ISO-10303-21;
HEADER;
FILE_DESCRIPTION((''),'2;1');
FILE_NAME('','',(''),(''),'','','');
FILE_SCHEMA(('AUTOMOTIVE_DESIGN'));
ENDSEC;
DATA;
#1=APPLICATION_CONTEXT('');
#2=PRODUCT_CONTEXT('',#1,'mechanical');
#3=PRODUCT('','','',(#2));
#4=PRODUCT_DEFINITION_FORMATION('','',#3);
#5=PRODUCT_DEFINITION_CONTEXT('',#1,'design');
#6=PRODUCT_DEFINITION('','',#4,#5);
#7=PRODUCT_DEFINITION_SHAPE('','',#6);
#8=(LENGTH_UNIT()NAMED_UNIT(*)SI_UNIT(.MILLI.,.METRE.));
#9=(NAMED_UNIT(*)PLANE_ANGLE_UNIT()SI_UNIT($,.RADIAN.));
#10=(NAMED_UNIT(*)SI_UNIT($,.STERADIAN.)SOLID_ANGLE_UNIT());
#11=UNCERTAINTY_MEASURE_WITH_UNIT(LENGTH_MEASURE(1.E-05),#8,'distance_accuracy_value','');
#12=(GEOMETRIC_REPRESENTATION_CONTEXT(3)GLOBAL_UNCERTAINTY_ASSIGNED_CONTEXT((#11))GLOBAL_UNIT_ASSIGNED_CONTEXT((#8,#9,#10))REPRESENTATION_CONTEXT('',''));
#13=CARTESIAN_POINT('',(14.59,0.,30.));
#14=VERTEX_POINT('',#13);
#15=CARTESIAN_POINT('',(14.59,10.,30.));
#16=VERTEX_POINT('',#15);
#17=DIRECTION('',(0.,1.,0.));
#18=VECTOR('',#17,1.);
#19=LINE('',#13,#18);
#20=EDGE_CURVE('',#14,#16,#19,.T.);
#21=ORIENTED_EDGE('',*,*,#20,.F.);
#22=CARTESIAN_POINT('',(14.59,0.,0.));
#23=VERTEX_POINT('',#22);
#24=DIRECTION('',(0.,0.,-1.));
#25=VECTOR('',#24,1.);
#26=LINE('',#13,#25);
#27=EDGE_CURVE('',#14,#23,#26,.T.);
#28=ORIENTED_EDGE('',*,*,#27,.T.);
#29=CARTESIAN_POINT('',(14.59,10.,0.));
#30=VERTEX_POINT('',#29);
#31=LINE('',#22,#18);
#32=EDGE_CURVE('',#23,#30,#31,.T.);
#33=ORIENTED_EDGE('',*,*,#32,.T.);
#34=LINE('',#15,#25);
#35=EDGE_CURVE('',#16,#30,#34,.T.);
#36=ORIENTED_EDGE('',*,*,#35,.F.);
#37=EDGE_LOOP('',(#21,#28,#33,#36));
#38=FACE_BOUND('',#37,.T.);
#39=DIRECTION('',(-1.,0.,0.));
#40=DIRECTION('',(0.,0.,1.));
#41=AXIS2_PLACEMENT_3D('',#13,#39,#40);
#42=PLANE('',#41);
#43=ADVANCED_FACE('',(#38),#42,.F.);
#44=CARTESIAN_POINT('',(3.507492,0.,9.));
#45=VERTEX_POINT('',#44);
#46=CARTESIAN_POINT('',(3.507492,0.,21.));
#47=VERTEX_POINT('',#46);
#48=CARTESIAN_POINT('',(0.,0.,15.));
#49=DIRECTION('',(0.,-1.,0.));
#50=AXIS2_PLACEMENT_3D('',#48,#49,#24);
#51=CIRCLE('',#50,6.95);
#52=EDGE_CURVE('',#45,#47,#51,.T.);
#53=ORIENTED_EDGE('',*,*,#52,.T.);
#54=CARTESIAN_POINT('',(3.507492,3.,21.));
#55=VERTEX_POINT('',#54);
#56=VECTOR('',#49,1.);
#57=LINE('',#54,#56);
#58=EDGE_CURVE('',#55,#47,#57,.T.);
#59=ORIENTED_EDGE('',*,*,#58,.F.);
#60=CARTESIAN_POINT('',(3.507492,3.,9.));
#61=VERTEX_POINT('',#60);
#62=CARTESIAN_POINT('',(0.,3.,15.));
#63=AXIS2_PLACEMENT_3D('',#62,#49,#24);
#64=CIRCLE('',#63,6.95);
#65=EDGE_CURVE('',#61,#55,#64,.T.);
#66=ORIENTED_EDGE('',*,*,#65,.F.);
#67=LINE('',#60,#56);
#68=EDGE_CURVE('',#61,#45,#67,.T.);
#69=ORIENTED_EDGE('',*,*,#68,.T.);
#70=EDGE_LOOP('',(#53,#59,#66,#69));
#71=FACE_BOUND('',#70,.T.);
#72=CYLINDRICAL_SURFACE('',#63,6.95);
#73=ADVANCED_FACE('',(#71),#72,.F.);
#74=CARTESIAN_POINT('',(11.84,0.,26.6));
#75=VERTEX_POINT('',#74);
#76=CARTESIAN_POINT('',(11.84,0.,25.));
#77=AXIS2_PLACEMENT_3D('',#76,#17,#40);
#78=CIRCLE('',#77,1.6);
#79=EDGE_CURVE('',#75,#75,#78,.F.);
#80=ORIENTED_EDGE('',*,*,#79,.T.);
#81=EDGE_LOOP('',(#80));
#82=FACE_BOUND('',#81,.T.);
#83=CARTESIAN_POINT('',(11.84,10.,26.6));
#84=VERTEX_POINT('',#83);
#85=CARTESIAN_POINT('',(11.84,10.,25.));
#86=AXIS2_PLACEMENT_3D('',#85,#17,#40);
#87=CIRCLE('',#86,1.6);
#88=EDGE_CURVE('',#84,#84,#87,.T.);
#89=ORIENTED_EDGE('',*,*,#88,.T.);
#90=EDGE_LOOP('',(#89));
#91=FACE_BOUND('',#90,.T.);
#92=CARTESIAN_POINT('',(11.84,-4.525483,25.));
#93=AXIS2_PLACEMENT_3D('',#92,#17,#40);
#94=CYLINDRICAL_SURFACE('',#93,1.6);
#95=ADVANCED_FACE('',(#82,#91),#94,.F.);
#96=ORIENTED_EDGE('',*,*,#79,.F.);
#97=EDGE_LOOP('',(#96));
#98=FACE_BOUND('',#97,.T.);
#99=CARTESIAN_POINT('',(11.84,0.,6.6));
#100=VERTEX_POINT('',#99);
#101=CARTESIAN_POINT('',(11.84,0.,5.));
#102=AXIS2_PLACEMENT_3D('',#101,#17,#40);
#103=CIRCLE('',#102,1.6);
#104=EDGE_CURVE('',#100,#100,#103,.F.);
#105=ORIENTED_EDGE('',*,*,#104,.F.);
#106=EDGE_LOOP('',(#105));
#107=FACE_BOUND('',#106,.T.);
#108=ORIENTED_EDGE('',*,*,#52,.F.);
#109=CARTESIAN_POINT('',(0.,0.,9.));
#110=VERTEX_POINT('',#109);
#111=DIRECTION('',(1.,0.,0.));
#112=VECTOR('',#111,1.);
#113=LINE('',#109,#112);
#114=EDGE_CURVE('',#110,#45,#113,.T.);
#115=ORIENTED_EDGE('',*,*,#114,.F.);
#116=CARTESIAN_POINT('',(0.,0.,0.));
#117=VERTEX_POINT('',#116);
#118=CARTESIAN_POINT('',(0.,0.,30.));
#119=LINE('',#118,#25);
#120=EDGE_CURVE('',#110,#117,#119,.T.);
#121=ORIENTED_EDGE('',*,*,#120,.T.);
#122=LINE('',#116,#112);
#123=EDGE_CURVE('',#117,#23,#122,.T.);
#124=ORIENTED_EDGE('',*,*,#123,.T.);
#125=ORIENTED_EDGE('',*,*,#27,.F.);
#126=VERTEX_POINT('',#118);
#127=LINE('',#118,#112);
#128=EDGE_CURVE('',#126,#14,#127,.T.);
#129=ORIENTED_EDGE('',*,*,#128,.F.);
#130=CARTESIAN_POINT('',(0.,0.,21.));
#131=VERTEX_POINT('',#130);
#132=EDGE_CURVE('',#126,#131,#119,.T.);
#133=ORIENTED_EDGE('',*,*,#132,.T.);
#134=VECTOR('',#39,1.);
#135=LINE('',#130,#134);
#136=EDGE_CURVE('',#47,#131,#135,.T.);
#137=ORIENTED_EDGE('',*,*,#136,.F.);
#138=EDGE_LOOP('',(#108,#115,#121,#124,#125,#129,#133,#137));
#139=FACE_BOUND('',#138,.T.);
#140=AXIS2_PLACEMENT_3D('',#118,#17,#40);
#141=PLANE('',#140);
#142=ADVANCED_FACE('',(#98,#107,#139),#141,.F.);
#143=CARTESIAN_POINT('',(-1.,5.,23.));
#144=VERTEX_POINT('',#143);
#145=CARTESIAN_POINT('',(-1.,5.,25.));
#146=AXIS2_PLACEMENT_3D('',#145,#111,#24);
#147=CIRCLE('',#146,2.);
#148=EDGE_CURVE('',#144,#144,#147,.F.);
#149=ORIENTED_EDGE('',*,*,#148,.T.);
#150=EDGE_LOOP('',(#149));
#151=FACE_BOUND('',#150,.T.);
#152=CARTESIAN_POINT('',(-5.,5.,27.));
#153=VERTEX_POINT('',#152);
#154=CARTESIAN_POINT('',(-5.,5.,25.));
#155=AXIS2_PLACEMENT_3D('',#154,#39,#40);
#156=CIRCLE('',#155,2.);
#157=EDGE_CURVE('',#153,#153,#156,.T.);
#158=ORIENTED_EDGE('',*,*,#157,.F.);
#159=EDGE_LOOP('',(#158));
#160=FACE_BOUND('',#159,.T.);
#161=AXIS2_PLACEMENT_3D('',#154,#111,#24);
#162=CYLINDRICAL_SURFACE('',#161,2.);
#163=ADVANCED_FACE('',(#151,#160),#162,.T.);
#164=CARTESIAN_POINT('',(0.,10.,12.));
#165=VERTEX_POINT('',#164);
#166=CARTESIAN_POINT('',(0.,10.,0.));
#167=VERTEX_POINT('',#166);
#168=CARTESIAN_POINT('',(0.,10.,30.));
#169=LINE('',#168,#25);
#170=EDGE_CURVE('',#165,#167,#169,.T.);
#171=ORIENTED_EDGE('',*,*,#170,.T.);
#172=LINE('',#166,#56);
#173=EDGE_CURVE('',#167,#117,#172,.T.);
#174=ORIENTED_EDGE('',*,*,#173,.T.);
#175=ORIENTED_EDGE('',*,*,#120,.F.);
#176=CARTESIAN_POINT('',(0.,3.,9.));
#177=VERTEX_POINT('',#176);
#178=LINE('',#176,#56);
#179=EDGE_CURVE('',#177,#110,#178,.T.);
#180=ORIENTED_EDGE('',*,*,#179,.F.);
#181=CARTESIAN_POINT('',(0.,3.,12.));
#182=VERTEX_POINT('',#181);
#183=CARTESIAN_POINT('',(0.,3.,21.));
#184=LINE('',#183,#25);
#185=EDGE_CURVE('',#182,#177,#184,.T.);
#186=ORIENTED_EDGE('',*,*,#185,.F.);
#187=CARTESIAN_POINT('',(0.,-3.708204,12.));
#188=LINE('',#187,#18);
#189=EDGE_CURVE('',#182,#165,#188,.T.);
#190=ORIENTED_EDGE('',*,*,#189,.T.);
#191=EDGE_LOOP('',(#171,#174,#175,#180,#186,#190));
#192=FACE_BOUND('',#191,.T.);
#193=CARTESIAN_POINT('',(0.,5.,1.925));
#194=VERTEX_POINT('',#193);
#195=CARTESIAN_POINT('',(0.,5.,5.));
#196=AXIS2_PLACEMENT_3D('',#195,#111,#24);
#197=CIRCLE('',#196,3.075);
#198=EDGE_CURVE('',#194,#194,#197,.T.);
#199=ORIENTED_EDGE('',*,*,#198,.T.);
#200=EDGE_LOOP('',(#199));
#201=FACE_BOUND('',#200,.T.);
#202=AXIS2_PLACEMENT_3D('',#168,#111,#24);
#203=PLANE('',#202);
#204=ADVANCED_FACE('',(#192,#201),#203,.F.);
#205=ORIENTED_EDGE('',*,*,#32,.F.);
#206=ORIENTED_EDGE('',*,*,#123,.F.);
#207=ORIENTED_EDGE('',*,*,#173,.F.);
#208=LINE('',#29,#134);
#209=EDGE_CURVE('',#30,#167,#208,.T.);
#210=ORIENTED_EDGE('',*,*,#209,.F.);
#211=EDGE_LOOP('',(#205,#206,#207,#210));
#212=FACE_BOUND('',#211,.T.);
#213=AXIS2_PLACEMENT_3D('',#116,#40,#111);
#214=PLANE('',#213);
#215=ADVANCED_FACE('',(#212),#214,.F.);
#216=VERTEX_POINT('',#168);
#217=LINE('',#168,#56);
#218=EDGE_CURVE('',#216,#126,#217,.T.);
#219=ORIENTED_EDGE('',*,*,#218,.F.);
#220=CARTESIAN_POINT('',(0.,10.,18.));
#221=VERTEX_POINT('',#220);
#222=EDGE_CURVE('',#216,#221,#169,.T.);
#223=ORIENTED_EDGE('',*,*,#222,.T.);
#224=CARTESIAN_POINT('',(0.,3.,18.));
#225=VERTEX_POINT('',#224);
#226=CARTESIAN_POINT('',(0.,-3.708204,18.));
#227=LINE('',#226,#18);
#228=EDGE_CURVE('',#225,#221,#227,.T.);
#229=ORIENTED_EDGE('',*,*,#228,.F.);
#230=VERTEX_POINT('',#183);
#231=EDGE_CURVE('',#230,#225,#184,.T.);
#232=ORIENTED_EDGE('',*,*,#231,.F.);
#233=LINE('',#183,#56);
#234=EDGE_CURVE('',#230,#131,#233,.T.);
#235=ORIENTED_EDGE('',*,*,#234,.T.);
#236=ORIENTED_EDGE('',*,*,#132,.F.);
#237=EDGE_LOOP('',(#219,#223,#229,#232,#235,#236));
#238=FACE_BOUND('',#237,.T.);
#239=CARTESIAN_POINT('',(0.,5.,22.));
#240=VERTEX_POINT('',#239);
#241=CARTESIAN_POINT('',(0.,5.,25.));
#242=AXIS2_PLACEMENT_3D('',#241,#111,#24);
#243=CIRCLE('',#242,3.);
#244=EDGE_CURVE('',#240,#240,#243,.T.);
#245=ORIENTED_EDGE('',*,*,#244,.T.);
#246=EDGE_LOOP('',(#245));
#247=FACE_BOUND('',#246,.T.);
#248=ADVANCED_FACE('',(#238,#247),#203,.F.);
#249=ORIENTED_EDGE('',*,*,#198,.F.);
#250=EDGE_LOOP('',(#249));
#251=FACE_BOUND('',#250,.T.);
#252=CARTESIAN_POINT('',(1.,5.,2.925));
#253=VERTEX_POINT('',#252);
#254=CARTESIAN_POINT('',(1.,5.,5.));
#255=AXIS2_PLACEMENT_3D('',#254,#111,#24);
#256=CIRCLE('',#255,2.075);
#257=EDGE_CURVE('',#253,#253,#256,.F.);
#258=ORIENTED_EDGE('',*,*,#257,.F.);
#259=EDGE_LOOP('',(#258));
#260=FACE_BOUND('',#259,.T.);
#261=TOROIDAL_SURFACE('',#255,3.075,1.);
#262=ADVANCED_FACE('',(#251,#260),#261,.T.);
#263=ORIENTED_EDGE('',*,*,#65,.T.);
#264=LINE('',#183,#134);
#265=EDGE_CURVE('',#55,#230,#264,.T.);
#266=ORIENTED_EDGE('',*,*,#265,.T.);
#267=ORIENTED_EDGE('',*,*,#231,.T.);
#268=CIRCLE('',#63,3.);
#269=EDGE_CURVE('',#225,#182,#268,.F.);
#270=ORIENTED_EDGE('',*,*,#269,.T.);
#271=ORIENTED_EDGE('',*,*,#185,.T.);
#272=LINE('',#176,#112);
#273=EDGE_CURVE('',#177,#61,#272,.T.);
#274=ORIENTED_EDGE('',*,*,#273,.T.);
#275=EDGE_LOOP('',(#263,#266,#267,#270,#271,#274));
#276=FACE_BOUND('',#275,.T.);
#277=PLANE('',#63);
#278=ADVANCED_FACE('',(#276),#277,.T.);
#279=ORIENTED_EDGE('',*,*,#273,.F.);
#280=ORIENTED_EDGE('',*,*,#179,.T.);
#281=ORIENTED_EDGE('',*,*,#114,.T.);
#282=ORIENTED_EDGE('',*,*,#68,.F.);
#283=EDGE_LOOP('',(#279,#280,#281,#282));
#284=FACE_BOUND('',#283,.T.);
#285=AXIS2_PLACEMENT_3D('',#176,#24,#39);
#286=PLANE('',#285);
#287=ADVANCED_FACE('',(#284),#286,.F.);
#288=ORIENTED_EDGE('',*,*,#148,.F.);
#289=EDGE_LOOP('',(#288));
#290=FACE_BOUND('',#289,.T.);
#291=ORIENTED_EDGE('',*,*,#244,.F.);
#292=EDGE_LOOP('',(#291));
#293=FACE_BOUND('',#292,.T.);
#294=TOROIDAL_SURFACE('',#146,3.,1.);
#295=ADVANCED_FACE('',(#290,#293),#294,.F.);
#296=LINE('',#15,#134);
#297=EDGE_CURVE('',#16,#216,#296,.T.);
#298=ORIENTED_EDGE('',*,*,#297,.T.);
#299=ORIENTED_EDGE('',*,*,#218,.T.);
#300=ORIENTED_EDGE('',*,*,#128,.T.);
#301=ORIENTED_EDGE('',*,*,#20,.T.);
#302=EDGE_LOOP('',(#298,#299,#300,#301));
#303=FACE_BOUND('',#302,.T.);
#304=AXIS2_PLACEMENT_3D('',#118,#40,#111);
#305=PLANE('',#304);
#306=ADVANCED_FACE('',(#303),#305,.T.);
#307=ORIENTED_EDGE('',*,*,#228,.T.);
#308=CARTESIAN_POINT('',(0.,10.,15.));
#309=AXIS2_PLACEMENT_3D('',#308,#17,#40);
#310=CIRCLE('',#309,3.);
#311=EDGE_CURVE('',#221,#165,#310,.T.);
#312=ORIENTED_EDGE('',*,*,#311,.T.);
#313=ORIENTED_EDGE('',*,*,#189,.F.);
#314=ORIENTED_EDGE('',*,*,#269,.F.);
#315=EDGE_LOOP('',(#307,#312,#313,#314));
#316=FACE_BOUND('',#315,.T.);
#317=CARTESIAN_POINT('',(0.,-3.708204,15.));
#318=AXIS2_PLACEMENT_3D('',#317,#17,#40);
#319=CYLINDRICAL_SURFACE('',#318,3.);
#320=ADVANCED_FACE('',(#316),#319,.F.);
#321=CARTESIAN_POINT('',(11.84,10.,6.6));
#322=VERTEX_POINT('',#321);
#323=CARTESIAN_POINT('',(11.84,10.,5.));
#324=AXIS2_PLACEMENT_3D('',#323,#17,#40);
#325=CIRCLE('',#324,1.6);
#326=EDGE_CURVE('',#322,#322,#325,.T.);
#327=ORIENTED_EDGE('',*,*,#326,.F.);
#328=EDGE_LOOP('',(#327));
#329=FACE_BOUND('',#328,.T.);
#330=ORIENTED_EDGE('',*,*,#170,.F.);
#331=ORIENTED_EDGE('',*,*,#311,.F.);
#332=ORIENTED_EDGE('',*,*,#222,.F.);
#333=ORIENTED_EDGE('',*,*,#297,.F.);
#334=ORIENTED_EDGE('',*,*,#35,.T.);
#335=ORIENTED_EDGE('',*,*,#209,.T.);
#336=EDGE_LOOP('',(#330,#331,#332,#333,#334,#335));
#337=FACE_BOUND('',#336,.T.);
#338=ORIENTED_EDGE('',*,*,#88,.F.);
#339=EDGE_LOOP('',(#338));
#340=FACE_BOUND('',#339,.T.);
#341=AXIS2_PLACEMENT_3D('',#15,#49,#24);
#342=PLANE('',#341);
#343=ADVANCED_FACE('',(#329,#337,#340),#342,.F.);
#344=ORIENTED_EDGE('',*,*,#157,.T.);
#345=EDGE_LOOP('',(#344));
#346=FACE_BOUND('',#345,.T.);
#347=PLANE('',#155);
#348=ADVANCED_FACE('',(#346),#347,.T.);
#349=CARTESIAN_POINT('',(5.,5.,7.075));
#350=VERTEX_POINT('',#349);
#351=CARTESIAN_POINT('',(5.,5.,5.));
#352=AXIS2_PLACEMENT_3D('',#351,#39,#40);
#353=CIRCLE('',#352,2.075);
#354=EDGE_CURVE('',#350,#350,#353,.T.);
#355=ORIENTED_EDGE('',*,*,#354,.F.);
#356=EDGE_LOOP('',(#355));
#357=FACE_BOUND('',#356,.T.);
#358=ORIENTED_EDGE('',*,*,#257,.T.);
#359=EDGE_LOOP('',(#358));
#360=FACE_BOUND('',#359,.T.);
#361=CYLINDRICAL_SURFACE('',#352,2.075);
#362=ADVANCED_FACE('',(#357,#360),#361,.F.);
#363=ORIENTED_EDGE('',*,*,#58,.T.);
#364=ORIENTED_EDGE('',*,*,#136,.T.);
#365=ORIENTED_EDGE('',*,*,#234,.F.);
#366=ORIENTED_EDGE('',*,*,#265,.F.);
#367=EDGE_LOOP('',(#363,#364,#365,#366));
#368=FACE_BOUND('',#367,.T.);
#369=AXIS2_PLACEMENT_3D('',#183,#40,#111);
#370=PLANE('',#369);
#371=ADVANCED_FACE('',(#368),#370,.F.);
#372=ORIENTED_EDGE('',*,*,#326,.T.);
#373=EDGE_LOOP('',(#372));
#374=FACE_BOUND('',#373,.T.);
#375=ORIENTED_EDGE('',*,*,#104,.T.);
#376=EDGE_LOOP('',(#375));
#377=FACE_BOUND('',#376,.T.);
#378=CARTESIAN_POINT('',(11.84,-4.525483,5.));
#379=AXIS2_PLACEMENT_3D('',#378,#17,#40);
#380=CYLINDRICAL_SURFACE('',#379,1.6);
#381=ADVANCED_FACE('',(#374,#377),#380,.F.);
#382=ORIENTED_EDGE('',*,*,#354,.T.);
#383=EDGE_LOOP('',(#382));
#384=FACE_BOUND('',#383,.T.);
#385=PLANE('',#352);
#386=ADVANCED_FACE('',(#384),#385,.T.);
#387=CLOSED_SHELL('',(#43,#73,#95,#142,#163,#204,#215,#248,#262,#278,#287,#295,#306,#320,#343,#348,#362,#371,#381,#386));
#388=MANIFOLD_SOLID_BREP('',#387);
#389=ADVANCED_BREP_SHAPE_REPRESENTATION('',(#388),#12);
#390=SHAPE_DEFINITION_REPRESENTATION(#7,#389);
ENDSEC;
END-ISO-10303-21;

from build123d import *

# Parameters (mm, degrees)
SKETCH1_W           = 14.59
SKETCH1_H           = 10
BOSS_EXTRUDE1_DEPTH = 30
CUT_EXTRUDE1_DEPTH  = 3
SKETCH3_R           = 1.6
CUT_EXTRUDE2_DEPTH  = 10
CUT_EXTRUDE3_DEPTH  = 7
SKETCH5_R           = 2
BOSS_EXTRUDE2_DEPTH = 5
FILLET1_R           = 1
SKETCH6_R           = 2.075
CUT_EXTRUDE4_DEPTH  = 5
FILLET2_R           = 1


with BuildPart() as part:
    # Sketch1 → Boss-Extrude1 (new body)
    with BuildSketch(Plane.XY):
        with Locations((7.295, 5)):
            Rectangle(SKETCH1_W, SKETCH1_H)
    extrude(amount=BOSS_EXTRUDE1_DEPTH)

    # Sketch2 → Cut-Extrude1 (cut)
    with BuildSketch(Plane.XZ):
        with BuildLine():
            Line((0, 21), (3.507491981, 21))
            ThreePointArc((3.507491981, 21), (6.95, 15), (3.507491981, 9))
            Line((3.507491981, 9), (0, 9))
            Line((0, 9), (0, 21))
        make_face()
    extrude(amount=-CUT_EXTRUDE1_DEPTH, mode=Mode.SUBTRACT)

    # Sketch3 → Cut-Extrude2 (cut)
    with BuildSketch(Plane(origin=(0, 10, 0), x_dir=(1, 0, 0), z_dir=(0, 1, 0))):
        with Locations(Location((11.84, -5, 0), (0, 0, 270))):
            Circle(SKETCH3_R)
        with Locations(Location((11.84, -25, 0), (0, 0, 270))):
            Circle(SKETCH3_R)
    extrude(amount=-CUT_EXTRUDE2_DEPTH, mode=Mode.SUBTRACT)

    # Sketch4 → Cut-Extrude3 (cut)
    with BuildSketch(Plane(origin=(0, 10, 0), x_dir=(1, 0, 0), z_dir=(0, 1, 0))):
        with BuildLine():
            Line((0, -12), (0, -18))
            ThreePointArc((0, -18), (3, -15), (0, -12))
        make_face()
    extrude(amount=-CUT_EXTRUDE3_DEPTH, mode=Mode.SUBTRACT)

    # Sketch5 → Boss-Extrude2 (add)
    with BuildSketch(Plane.ZY):
        with Locations(Location((25, 5, 0), (0, 0, 180))):
            Circle(SKETCH5_R)
    extrude(amount=BOSS_EXTRUDE2_DEPTH)

    # Fillet1
    fillet1_edges = [part.edges().sort_by_distance(p)[0] for p in [
        (0, 5, 27),
    ]]
    fillet(fillet1_edges, radius=FILLET1_R)

    # Sketch6 → Cut-Extrude4 (cut)
    with BuildSketch(Plane.ZY):
        with Locations((5, 5)):
            Circle(SKETCH6_R)
    extrude(amount=-CUT_EXTRUDE4_DEPTH, mode=Mode.SUBTRACT)

    # Fillet2
    fillet2_edges = [part.edges().sort_by_distance(p)[0] for p in [
        (0, 5, 2.925),
    ]]
    fillet(fillet2_edges, radius=FILLET2_R)


solid = part.part
